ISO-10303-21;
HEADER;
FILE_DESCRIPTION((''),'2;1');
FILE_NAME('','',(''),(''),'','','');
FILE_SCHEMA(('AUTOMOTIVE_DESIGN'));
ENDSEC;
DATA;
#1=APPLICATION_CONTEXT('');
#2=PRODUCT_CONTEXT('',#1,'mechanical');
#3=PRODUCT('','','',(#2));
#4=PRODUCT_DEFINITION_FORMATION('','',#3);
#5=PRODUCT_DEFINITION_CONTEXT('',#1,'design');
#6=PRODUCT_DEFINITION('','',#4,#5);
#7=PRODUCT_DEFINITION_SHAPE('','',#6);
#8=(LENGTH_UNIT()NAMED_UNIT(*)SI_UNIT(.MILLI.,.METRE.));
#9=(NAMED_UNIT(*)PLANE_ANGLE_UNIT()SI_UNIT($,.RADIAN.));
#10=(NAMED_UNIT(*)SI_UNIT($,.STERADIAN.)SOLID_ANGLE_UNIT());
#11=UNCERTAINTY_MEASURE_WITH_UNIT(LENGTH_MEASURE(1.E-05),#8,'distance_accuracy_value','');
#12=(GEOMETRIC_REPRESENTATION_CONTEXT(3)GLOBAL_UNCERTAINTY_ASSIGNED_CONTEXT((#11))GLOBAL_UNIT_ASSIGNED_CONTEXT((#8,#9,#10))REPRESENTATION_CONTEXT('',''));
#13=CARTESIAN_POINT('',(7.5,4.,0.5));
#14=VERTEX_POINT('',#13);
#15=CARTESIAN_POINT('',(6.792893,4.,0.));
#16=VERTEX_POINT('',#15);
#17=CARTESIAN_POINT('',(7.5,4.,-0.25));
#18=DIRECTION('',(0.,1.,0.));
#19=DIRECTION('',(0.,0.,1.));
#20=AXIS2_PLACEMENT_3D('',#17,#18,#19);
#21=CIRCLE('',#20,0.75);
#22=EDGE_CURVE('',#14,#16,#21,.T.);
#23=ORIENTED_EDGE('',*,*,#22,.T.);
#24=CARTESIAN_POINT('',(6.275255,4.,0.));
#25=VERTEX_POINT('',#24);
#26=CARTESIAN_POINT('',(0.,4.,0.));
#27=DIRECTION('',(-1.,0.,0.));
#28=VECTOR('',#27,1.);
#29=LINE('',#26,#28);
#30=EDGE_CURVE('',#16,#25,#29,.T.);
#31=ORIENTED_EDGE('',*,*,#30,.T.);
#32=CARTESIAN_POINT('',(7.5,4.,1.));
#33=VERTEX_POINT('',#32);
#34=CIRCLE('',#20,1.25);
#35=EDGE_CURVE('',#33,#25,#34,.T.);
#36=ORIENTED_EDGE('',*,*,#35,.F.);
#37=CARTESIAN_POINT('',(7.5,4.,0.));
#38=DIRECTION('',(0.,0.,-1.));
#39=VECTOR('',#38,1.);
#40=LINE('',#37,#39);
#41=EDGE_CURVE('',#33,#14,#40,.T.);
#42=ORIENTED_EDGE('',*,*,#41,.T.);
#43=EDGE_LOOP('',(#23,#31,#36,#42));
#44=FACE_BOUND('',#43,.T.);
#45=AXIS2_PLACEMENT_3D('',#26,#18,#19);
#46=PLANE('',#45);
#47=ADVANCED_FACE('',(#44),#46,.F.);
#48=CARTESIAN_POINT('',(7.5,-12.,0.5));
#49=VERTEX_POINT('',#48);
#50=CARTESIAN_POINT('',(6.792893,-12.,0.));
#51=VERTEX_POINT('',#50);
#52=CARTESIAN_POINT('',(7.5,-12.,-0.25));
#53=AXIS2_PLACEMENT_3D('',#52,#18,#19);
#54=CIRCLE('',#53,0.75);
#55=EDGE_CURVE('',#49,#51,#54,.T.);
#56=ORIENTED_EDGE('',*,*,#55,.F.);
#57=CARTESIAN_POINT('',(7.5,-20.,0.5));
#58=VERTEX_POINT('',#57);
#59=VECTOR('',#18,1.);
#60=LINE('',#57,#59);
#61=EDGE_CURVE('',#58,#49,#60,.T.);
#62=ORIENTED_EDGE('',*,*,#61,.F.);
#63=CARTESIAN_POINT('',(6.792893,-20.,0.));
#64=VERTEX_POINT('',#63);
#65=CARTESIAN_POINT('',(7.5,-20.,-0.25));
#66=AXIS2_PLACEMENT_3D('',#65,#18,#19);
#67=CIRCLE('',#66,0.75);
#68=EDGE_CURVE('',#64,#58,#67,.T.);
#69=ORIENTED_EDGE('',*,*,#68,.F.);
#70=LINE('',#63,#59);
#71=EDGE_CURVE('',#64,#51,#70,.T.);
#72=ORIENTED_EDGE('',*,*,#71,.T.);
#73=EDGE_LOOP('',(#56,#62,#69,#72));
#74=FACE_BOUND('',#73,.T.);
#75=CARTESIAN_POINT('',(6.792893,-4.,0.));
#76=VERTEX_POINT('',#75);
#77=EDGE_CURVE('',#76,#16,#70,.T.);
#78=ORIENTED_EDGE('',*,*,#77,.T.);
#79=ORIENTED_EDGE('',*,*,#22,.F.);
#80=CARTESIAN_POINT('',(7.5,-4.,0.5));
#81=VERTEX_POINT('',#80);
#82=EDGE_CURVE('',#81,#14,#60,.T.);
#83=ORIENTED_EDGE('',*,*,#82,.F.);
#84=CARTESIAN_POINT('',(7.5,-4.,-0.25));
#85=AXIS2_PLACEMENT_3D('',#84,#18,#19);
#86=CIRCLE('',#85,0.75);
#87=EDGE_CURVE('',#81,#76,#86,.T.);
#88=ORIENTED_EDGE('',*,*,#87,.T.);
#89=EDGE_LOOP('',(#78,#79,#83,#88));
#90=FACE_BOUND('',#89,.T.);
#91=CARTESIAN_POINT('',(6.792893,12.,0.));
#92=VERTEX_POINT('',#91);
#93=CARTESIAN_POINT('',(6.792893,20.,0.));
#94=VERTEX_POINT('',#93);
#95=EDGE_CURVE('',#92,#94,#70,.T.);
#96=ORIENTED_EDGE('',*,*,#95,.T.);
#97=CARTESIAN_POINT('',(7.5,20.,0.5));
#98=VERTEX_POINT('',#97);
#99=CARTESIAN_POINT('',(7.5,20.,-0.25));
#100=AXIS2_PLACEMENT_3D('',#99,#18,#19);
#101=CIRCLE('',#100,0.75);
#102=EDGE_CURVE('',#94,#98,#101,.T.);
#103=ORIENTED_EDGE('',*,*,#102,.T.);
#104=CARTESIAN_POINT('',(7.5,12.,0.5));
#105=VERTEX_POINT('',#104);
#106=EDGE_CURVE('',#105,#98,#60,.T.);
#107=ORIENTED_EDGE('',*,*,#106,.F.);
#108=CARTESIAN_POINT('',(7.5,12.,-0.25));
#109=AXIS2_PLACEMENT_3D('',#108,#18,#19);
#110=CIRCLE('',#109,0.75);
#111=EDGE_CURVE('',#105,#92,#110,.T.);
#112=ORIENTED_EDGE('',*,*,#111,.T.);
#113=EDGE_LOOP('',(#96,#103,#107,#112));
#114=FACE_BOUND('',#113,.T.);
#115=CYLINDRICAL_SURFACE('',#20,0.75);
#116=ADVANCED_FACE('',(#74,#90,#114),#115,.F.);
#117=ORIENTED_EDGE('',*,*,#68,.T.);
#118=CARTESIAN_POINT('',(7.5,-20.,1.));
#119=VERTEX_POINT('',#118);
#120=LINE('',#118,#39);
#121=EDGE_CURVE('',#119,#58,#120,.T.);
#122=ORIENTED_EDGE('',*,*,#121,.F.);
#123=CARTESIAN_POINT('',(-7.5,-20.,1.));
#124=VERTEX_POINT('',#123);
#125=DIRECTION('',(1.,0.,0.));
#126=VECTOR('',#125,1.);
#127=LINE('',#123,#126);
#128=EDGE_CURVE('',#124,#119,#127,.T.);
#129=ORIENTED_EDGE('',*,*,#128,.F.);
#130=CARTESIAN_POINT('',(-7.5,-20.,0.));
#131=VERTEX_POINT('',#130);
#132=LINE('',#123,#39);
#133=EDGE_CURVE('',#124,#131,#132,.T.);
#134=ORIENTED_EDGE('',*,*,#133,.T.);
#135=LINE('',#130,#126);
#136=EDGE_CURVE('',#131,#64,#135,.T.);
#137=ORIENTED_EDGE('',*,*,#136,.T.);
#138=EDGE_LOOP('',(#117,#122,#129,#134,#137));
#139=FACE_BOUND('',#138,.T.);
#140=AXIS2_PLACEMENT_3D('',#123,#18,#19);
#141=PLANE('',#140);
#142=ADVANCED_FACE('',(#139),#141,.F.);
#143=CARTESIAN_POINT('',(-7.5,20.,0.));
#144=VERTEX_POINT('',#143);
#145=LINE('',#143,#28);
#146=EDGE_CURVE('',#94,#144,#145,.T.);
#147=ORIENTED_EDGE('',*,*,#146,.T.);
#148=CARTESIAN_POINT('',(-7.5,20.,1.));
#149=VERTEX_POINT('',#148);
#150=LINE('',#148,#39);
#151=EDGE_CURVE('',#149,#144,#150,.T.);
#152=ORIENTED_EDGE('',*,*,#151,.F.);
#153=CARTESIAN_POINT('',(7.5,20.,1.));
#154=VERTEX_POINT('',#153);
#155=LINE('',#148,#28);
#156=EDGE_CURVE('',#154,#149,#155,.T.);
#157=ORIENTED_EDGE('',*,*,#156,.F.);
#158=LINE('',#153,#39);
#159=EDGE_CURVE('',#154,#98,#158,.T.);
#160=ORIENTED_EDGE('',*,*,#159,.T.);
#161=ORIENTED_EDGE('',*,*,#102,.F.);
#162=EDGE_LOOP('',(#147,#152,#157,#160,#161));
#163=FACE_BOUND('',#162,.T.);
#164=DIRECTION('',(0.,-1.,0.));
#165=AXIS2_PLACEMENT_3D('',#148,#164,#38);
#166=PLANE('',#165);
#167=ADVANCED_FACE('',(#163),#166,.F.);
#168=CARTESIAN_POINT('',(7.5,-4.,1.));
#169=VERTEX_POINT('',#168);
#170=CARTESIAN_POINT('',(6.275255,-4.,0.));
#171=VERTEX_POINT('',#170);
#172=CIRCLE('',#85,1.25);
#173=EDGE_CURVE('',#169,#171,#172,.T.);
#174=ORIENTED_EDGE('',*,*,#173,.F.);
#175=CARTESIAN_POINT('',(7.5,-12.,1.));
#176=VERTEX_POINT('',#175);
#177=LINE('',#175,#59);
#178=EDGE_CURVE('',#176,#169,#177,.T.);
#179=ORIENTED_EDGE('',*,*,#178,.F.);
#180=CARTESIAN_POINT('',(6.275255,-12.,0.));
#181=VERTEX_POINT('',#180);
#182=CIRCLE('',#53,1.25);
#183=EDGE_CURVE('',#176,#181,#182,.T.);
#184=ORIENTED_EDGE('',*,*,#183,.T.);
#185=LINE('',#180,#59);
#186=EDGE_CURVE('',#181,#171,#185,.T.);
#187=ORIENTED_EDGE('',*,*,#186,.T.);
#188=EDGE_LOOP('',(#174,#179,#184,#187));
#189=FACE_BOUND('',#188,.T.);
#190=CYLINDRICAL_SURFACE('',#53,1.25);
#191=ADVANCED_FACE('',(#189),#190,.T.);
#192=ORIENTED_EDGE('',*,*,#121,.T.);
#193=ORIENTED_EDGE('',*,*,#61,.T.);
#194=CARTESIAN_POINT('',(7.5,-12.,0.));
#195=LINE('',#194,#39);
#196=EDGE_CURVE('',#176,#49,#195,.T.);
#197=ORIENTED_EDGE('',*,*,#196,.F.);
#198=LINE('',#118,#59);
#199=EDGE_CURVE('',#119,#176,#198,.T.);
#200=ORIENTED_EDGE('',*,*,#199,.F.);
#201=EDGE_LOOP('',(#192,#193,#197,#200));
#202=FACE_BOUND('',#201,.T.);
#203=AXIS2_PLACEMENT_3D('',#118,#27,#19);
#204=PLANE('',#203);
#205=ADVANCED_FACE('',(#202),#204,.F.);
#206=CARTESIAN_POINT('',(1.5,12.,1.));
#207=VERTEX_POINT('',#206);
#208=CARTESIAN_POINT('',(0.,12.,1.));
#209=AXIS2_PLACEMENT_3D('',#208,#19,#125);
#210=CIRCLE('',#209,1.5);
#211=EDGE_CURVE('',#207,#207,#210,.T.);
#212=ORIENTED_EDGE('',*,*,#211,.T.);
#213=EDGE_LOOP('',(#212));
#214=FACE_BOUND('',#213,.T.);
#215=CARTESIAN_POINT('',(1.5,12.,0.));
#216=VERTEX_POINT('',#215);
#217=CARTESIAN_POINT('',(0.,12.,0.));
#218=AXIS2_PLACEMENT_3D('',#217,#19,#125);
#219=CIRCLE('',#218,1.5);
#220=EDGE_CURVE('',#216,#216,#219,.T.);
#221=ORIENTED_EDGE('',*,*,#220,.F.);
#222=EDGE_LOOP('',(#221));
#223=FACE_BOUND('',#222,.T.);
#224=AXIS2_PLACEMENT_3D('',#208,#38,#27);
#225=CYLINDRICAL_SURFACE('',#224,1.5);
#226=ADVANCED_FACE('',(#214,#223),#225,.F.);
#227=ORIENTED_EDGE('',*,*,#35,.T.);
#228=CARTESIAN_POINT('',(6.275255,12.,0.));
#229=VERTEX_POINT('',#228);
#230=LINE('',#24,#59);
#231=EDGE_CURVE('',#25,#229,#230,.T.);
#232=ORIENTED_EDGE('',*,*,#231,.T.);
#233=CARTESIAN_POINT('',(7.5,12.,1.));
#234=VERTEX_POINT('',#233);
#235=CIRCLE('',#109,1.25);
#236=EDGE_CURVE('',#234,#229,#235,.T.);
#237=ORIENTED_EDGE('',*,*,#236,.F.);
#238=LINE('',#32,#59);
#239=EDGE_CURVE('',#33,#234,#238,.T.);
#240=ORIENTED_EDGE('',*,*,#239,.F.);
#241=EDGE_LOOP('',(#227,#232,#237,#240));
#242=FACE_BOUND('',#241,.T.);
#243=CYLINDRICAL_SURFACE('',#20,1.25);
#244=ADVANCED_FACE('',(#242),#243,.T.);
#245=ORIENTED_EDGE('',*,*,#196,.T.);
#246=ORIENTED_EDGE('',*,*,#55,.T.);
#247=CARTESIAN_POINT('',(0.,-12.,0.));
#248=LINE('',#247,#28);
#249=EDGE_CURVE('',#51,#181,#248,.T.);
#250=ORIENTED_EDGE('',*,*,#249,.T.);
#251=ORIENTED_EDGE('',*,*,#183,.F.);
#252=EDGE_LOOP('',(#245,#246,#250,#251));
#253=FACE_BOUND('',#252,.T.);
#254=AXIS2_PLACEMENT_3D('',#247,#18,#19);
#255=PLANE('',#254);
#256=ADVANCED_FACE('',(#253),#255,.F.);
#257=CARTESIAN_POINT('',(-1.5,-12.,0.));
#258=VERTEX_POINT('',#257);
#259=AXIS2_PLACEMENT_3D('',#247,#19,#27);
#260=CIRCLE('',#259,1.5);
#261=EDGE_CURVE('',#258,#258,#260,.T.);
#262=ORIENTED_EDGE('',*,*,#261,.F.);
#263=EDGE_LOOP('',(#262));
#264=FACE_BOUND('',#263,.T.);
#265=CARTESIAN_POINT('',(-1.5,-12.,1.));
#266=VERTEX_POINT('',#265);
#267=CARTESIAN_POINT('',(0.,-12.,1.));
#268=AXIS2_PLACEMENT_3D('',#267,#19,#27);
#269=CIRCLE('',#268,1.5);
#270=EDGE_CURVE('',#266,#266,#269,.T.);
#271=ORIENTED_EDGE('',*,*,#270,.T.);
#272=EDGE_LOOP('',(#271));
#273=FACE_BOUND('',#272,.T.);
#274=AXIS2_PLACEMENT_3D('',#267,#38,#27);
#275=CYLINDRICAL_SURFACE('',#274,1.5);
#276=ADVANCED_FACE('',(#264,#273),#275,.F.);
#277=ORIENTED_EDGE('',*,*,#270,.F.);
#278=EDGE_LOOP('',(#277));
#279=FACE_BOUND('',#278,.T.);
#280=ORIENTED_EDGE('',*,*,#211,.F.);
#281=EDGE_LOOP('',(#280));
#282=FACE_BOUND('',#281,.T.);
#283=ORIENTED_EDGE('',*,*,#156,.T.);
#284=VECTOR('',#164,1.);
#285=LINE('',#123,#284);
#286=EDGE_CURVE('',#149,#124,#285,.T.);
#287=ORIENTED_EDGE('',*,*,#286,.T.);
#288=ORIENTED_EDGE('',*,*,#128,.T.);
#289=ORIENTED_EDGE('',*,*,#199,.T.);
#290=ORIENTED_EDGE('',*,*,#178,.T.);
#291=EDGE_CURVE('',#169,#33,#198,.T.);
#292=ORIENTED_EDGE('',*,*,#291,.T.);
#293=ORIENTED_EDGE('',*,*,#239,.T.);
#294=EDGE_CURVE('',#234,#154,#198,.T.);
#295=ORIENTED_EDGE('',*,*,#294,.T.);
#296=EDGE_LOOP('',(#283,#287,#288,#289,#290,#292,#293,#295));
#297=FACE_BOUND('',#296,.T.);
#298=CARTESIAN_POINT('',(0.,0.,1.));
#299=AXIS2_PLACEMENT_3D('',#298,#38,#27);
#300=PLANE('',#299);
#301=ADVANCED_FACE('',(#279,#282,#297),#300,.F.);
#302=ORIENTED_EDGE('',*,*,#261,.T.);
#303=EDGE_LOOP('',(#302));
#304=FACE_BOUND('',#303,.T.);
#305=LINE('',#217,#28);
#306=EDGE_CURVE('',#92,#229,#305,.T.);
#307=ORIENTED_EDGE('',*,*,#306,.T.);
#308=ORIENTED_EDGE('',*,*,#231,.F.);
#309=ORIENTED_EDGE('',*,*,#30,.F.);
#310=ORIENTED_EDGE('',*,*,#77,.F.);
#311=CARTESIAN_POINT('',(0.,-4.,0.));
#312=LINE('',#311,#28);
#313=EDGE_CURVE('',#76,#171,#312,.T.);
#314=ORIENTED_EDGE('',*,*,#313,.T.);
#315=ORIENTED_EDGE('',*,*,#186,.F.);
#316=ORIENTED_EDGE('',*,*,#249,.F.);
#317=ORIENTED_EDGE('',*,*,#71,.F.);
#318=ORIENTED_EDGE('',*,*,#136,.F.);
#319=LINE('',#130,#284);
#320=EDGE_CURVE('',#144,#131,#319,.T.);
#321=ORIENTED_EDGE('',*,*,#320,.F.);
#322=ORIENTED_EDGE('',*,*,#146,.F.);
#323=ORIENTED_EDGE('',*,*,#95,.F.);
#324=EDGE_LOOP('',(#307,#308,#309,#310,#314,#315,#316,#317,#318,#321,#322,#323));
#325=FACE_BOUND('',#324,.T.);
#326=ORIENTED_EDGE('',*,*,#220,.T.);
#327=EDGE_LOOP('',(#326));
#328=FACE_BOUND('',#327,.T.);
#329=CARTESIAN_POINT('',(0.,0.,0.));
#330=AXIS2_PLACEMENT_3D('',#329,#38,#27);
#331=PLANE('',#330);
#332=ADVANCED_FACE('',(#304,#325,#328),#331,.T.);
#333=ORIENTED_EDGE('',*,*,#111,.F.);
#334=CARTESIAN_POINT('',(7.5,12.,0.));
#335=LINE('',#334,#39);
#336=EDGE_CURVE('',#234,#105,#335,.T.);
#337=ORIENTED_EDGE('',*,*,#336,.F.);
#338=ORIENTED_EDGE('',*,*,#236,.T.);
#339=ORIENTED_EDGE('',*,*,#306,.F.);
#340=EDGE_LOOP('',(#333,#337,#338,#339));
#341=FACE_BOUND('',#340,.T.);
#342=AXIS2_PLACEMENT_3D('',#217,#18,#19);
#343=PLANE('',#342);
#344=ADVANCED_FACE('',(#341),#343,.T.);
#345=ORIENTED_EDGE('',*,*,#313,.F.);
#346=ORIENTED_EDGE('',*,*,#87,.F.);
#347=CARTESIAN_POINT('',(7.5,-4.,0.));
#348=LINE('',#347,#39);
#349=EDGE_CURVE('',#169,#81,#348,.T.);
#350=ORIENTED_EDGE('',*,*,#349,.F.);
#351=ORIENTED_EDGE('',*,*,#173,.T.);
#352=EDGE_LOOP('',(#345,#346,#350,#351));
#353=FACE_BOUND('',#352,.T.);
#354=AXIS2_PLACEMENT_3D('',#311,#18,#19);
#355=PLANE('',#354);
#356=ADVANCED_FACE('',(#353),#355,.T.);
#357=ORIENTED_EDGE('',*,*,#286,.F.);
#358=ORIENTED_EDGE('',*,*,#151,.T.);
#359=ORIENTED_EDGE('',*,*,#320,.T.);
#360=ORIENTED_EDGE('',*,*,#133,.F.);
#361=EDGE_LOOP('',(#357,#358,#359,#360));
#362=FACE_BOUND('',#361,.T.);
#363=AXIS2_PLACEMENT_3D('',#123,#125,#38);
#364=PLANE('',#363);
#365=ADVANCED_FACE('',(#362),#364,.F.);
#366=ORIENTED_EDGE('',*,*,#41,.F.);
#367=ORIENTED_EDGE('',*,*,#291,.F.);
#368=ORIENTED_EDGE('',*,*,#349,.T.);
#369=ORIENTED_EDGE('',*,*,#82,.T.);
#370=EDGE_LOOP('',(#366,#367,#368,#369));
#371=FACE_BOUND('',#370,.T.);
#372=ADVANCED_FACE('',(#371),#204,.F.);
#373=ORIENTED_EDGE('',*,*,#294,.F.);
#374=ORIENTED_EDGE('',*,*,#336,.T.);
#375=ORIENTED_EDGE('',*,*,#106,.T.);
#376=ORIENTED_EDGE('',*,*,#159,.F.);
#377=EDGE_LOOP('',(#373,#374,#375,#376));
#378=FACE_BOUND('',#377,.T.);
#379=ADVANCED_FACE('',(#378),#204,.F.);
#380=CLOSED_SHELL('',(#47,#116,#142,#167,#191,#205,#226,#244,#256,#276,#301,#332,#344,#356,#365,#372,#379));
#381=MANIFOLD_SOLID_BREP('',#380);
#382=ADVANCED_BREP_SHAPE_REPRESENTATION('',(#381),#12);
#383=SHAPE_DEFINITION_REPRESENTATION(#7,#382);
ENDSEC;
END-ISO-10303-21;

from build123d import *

# Parameters (mm, degrees)
SKETCH1_W           = 15
SKETCH1_H           = 40
SKETCH1_R           = 1.5
BOSS_EXTRUDE2_DEPTH = 1
BOSS_EXTRUDE5_START = -8
BOSS_EXTRUDE5_DEPTH = 8
LPATTERN2_COUNT     = 2
LPATTERN2_PITCH     = 16
SKETCH6_R           = 0.75
CUT_EXTRUDE3_DEPTH  = 40


with BuildPart() as part:
    # Sketch1 → Boss-Extrude2 (new body)
    with BuildSketch(Plane.XY):
        Rectangle(SKETCH1_W, SKETCH1_H)
        with Locations((0, 12)):
            Circle(SKETCH1_R, mode=Mode.SUBTRACT)
        with Locations((0, -12)):
            Circle(SKETCH1_R, mode=Mode.SUBTRACT)
    extrude(amount=BOSS_EXTRUDE2_DEPTH)

    # Sketch5 → Boss-Extrude5 (add)
    with BuildSketch(Plane(origin=(0, 20, 0), x_dir=(1, 0, 0), z_dir=(0, 1, 0)).offset(BOSS_EXTRUDE5_START)):
        with BuildLine():
            Line((7.5, -0.5), (7.5, -1))
            ThreePointArc((7.5, -1), (8.383883476, -0.633883476), (8.75, 0.25))
            ThreePointArc((8.75, 0.25), (7.374363797, 1.493670191), (6.275255129, 0))
            Line((6.275255129, 0), (6.792893219, 0))
            ThreePointArc((6.792893219, 0), (7.373173516, 0.98919892), (8.25, 0.25))
            ThreePointArc((8.25, 0.25), (8.030330086, -0.280330086), (7.5, -0.5))
        make_face()
        with BuildLine():
            ThreePointArc((6.275255129, 0), (6.709430585, -0.718245837), (7.5, -1))
            Line((7.5, -1), (7.5, -0.5))
            ThreePointArc((7.5, -0.5), (7.066987298, -0.362372436), (6.792893219, 0))
            Line((6.792893219, 0), (6.275255129, 0))
        make_face()
    boss_extrude5 = extrude(amount=-BOSS_EXTRUDE5_DEPTH)

    # LPattern2: Boss-Extrude5 ×2
    with Locations(*[(0, -i * LPATTERN2_PITCH, 0) for i in range(1, LPATTERN2_COUNT)]):
        add(boss_extrude5)

    # Sketch6 → Cut-Extrude3 (cut)
    with BuildSketch(Plane(origin=(0, 20, 0), x_dir=(1, 0, 0), z_dir=(0, 1, 0))):
        with Locations((7.5, 0.25)):
            Circle(SKETCH6_R)
    extrude(amount=-CUT_EXTRUDE3_DEPTH, mode=Mode.SUBTRACT)


solid = part.part
